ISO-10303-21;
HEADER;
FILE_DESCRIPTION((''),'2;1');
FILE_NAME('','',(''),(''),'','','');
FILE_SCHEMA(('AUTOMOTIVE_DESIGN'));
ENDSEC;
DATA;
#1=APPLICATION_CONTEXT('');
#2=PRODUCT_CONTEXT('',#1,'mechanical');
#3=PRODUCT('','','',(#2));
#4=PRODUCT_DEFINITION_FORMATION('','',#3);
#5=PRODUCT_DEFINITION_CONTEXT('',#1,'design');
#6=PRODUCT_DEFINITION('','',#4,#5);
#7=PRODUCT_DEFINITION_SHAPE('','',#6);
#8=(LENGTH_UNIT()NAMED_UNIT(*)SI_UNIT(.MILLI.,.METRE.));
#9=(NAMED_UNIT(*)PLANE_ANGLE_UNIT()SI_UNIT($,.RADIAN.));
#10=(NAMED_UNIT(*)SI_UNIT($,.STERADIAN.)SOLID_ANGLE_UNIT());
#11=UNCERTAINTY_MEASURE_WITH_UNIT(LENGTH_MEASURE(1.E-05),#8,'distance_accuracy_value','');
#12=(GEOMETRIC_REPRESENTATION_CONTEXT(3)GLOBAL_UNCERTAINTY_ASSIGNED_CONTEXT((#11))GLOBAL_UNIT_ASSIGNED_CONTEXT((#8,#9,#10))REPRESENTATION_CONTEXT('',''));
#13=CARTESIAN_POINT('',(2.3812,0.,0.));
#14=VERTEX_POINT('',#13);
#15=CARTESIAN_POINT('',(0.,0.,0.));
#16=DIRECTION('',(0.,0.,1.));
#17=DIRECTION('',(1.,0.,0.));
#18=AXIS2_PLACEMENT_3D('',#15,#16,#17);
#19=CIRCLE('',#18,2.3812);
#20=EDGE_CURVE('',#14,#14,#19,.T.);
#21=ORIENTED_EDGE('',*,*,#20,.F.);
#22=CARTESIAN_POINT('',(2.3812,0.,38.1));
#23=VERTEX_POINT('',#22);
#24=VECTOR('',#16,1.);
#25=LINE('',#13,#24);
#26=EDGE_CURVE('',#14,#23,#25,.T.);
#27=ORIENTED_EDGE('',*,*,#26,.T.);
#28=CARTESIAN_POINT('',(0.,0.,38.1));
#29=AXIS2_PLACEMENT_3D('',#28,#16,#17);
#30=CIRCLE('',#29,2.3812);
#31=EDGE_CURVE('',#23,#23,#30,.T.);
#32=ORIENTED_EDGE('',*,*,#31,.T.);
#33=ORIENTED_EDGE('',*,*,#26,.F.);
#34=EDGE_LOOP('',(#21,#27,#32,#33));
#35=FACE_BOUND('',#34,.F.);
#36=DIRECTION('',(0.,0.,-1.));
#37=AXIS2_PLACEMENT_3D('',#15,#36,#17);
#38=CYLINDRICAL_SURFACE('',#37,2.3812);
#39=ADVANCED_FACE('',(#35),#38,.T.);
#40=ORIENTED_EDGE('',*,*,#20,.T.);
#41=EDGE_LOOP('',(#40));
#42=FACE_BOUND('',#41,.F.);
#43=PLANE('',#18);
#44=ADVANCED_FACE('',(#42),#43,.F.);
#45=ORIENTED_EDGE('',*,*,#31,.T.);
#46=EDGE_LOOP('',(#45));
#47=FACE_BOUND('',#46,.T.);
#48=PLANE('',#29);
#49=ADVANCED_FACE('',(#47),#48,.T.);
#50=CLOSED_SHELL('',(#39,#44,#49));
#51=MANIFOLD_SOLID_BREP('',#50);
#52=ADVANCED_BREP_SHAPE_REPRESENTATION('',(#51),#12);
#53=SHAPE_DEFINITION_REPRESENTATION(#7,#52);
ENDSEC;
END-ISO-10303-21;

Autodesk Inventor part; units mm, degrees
ref_plane "YZ Plane" through (0, 0, 0) normal (1, 0, 0) x (0, 1, 0)
ref_plane "XZ Plane" through (0, 0, 0) normal (0, 1, 0) x (-1, 0, 0)
ref_plane "XY Plane" through (0, 0, 0) normal (0, 0, 1) x (1, 0, 0)
sketch "Sketch1" plane through (0, 0, 0) normal (0, 0, 1) x (1, 0, 0)
  circle A0 centre (0, 0) radius 2.3812
  dimension "d0" = 4.7625
extrude "Extrusion1" add sketch "Sketch1" along normal blind 38.1
properties part number "3 16ths shaft"
